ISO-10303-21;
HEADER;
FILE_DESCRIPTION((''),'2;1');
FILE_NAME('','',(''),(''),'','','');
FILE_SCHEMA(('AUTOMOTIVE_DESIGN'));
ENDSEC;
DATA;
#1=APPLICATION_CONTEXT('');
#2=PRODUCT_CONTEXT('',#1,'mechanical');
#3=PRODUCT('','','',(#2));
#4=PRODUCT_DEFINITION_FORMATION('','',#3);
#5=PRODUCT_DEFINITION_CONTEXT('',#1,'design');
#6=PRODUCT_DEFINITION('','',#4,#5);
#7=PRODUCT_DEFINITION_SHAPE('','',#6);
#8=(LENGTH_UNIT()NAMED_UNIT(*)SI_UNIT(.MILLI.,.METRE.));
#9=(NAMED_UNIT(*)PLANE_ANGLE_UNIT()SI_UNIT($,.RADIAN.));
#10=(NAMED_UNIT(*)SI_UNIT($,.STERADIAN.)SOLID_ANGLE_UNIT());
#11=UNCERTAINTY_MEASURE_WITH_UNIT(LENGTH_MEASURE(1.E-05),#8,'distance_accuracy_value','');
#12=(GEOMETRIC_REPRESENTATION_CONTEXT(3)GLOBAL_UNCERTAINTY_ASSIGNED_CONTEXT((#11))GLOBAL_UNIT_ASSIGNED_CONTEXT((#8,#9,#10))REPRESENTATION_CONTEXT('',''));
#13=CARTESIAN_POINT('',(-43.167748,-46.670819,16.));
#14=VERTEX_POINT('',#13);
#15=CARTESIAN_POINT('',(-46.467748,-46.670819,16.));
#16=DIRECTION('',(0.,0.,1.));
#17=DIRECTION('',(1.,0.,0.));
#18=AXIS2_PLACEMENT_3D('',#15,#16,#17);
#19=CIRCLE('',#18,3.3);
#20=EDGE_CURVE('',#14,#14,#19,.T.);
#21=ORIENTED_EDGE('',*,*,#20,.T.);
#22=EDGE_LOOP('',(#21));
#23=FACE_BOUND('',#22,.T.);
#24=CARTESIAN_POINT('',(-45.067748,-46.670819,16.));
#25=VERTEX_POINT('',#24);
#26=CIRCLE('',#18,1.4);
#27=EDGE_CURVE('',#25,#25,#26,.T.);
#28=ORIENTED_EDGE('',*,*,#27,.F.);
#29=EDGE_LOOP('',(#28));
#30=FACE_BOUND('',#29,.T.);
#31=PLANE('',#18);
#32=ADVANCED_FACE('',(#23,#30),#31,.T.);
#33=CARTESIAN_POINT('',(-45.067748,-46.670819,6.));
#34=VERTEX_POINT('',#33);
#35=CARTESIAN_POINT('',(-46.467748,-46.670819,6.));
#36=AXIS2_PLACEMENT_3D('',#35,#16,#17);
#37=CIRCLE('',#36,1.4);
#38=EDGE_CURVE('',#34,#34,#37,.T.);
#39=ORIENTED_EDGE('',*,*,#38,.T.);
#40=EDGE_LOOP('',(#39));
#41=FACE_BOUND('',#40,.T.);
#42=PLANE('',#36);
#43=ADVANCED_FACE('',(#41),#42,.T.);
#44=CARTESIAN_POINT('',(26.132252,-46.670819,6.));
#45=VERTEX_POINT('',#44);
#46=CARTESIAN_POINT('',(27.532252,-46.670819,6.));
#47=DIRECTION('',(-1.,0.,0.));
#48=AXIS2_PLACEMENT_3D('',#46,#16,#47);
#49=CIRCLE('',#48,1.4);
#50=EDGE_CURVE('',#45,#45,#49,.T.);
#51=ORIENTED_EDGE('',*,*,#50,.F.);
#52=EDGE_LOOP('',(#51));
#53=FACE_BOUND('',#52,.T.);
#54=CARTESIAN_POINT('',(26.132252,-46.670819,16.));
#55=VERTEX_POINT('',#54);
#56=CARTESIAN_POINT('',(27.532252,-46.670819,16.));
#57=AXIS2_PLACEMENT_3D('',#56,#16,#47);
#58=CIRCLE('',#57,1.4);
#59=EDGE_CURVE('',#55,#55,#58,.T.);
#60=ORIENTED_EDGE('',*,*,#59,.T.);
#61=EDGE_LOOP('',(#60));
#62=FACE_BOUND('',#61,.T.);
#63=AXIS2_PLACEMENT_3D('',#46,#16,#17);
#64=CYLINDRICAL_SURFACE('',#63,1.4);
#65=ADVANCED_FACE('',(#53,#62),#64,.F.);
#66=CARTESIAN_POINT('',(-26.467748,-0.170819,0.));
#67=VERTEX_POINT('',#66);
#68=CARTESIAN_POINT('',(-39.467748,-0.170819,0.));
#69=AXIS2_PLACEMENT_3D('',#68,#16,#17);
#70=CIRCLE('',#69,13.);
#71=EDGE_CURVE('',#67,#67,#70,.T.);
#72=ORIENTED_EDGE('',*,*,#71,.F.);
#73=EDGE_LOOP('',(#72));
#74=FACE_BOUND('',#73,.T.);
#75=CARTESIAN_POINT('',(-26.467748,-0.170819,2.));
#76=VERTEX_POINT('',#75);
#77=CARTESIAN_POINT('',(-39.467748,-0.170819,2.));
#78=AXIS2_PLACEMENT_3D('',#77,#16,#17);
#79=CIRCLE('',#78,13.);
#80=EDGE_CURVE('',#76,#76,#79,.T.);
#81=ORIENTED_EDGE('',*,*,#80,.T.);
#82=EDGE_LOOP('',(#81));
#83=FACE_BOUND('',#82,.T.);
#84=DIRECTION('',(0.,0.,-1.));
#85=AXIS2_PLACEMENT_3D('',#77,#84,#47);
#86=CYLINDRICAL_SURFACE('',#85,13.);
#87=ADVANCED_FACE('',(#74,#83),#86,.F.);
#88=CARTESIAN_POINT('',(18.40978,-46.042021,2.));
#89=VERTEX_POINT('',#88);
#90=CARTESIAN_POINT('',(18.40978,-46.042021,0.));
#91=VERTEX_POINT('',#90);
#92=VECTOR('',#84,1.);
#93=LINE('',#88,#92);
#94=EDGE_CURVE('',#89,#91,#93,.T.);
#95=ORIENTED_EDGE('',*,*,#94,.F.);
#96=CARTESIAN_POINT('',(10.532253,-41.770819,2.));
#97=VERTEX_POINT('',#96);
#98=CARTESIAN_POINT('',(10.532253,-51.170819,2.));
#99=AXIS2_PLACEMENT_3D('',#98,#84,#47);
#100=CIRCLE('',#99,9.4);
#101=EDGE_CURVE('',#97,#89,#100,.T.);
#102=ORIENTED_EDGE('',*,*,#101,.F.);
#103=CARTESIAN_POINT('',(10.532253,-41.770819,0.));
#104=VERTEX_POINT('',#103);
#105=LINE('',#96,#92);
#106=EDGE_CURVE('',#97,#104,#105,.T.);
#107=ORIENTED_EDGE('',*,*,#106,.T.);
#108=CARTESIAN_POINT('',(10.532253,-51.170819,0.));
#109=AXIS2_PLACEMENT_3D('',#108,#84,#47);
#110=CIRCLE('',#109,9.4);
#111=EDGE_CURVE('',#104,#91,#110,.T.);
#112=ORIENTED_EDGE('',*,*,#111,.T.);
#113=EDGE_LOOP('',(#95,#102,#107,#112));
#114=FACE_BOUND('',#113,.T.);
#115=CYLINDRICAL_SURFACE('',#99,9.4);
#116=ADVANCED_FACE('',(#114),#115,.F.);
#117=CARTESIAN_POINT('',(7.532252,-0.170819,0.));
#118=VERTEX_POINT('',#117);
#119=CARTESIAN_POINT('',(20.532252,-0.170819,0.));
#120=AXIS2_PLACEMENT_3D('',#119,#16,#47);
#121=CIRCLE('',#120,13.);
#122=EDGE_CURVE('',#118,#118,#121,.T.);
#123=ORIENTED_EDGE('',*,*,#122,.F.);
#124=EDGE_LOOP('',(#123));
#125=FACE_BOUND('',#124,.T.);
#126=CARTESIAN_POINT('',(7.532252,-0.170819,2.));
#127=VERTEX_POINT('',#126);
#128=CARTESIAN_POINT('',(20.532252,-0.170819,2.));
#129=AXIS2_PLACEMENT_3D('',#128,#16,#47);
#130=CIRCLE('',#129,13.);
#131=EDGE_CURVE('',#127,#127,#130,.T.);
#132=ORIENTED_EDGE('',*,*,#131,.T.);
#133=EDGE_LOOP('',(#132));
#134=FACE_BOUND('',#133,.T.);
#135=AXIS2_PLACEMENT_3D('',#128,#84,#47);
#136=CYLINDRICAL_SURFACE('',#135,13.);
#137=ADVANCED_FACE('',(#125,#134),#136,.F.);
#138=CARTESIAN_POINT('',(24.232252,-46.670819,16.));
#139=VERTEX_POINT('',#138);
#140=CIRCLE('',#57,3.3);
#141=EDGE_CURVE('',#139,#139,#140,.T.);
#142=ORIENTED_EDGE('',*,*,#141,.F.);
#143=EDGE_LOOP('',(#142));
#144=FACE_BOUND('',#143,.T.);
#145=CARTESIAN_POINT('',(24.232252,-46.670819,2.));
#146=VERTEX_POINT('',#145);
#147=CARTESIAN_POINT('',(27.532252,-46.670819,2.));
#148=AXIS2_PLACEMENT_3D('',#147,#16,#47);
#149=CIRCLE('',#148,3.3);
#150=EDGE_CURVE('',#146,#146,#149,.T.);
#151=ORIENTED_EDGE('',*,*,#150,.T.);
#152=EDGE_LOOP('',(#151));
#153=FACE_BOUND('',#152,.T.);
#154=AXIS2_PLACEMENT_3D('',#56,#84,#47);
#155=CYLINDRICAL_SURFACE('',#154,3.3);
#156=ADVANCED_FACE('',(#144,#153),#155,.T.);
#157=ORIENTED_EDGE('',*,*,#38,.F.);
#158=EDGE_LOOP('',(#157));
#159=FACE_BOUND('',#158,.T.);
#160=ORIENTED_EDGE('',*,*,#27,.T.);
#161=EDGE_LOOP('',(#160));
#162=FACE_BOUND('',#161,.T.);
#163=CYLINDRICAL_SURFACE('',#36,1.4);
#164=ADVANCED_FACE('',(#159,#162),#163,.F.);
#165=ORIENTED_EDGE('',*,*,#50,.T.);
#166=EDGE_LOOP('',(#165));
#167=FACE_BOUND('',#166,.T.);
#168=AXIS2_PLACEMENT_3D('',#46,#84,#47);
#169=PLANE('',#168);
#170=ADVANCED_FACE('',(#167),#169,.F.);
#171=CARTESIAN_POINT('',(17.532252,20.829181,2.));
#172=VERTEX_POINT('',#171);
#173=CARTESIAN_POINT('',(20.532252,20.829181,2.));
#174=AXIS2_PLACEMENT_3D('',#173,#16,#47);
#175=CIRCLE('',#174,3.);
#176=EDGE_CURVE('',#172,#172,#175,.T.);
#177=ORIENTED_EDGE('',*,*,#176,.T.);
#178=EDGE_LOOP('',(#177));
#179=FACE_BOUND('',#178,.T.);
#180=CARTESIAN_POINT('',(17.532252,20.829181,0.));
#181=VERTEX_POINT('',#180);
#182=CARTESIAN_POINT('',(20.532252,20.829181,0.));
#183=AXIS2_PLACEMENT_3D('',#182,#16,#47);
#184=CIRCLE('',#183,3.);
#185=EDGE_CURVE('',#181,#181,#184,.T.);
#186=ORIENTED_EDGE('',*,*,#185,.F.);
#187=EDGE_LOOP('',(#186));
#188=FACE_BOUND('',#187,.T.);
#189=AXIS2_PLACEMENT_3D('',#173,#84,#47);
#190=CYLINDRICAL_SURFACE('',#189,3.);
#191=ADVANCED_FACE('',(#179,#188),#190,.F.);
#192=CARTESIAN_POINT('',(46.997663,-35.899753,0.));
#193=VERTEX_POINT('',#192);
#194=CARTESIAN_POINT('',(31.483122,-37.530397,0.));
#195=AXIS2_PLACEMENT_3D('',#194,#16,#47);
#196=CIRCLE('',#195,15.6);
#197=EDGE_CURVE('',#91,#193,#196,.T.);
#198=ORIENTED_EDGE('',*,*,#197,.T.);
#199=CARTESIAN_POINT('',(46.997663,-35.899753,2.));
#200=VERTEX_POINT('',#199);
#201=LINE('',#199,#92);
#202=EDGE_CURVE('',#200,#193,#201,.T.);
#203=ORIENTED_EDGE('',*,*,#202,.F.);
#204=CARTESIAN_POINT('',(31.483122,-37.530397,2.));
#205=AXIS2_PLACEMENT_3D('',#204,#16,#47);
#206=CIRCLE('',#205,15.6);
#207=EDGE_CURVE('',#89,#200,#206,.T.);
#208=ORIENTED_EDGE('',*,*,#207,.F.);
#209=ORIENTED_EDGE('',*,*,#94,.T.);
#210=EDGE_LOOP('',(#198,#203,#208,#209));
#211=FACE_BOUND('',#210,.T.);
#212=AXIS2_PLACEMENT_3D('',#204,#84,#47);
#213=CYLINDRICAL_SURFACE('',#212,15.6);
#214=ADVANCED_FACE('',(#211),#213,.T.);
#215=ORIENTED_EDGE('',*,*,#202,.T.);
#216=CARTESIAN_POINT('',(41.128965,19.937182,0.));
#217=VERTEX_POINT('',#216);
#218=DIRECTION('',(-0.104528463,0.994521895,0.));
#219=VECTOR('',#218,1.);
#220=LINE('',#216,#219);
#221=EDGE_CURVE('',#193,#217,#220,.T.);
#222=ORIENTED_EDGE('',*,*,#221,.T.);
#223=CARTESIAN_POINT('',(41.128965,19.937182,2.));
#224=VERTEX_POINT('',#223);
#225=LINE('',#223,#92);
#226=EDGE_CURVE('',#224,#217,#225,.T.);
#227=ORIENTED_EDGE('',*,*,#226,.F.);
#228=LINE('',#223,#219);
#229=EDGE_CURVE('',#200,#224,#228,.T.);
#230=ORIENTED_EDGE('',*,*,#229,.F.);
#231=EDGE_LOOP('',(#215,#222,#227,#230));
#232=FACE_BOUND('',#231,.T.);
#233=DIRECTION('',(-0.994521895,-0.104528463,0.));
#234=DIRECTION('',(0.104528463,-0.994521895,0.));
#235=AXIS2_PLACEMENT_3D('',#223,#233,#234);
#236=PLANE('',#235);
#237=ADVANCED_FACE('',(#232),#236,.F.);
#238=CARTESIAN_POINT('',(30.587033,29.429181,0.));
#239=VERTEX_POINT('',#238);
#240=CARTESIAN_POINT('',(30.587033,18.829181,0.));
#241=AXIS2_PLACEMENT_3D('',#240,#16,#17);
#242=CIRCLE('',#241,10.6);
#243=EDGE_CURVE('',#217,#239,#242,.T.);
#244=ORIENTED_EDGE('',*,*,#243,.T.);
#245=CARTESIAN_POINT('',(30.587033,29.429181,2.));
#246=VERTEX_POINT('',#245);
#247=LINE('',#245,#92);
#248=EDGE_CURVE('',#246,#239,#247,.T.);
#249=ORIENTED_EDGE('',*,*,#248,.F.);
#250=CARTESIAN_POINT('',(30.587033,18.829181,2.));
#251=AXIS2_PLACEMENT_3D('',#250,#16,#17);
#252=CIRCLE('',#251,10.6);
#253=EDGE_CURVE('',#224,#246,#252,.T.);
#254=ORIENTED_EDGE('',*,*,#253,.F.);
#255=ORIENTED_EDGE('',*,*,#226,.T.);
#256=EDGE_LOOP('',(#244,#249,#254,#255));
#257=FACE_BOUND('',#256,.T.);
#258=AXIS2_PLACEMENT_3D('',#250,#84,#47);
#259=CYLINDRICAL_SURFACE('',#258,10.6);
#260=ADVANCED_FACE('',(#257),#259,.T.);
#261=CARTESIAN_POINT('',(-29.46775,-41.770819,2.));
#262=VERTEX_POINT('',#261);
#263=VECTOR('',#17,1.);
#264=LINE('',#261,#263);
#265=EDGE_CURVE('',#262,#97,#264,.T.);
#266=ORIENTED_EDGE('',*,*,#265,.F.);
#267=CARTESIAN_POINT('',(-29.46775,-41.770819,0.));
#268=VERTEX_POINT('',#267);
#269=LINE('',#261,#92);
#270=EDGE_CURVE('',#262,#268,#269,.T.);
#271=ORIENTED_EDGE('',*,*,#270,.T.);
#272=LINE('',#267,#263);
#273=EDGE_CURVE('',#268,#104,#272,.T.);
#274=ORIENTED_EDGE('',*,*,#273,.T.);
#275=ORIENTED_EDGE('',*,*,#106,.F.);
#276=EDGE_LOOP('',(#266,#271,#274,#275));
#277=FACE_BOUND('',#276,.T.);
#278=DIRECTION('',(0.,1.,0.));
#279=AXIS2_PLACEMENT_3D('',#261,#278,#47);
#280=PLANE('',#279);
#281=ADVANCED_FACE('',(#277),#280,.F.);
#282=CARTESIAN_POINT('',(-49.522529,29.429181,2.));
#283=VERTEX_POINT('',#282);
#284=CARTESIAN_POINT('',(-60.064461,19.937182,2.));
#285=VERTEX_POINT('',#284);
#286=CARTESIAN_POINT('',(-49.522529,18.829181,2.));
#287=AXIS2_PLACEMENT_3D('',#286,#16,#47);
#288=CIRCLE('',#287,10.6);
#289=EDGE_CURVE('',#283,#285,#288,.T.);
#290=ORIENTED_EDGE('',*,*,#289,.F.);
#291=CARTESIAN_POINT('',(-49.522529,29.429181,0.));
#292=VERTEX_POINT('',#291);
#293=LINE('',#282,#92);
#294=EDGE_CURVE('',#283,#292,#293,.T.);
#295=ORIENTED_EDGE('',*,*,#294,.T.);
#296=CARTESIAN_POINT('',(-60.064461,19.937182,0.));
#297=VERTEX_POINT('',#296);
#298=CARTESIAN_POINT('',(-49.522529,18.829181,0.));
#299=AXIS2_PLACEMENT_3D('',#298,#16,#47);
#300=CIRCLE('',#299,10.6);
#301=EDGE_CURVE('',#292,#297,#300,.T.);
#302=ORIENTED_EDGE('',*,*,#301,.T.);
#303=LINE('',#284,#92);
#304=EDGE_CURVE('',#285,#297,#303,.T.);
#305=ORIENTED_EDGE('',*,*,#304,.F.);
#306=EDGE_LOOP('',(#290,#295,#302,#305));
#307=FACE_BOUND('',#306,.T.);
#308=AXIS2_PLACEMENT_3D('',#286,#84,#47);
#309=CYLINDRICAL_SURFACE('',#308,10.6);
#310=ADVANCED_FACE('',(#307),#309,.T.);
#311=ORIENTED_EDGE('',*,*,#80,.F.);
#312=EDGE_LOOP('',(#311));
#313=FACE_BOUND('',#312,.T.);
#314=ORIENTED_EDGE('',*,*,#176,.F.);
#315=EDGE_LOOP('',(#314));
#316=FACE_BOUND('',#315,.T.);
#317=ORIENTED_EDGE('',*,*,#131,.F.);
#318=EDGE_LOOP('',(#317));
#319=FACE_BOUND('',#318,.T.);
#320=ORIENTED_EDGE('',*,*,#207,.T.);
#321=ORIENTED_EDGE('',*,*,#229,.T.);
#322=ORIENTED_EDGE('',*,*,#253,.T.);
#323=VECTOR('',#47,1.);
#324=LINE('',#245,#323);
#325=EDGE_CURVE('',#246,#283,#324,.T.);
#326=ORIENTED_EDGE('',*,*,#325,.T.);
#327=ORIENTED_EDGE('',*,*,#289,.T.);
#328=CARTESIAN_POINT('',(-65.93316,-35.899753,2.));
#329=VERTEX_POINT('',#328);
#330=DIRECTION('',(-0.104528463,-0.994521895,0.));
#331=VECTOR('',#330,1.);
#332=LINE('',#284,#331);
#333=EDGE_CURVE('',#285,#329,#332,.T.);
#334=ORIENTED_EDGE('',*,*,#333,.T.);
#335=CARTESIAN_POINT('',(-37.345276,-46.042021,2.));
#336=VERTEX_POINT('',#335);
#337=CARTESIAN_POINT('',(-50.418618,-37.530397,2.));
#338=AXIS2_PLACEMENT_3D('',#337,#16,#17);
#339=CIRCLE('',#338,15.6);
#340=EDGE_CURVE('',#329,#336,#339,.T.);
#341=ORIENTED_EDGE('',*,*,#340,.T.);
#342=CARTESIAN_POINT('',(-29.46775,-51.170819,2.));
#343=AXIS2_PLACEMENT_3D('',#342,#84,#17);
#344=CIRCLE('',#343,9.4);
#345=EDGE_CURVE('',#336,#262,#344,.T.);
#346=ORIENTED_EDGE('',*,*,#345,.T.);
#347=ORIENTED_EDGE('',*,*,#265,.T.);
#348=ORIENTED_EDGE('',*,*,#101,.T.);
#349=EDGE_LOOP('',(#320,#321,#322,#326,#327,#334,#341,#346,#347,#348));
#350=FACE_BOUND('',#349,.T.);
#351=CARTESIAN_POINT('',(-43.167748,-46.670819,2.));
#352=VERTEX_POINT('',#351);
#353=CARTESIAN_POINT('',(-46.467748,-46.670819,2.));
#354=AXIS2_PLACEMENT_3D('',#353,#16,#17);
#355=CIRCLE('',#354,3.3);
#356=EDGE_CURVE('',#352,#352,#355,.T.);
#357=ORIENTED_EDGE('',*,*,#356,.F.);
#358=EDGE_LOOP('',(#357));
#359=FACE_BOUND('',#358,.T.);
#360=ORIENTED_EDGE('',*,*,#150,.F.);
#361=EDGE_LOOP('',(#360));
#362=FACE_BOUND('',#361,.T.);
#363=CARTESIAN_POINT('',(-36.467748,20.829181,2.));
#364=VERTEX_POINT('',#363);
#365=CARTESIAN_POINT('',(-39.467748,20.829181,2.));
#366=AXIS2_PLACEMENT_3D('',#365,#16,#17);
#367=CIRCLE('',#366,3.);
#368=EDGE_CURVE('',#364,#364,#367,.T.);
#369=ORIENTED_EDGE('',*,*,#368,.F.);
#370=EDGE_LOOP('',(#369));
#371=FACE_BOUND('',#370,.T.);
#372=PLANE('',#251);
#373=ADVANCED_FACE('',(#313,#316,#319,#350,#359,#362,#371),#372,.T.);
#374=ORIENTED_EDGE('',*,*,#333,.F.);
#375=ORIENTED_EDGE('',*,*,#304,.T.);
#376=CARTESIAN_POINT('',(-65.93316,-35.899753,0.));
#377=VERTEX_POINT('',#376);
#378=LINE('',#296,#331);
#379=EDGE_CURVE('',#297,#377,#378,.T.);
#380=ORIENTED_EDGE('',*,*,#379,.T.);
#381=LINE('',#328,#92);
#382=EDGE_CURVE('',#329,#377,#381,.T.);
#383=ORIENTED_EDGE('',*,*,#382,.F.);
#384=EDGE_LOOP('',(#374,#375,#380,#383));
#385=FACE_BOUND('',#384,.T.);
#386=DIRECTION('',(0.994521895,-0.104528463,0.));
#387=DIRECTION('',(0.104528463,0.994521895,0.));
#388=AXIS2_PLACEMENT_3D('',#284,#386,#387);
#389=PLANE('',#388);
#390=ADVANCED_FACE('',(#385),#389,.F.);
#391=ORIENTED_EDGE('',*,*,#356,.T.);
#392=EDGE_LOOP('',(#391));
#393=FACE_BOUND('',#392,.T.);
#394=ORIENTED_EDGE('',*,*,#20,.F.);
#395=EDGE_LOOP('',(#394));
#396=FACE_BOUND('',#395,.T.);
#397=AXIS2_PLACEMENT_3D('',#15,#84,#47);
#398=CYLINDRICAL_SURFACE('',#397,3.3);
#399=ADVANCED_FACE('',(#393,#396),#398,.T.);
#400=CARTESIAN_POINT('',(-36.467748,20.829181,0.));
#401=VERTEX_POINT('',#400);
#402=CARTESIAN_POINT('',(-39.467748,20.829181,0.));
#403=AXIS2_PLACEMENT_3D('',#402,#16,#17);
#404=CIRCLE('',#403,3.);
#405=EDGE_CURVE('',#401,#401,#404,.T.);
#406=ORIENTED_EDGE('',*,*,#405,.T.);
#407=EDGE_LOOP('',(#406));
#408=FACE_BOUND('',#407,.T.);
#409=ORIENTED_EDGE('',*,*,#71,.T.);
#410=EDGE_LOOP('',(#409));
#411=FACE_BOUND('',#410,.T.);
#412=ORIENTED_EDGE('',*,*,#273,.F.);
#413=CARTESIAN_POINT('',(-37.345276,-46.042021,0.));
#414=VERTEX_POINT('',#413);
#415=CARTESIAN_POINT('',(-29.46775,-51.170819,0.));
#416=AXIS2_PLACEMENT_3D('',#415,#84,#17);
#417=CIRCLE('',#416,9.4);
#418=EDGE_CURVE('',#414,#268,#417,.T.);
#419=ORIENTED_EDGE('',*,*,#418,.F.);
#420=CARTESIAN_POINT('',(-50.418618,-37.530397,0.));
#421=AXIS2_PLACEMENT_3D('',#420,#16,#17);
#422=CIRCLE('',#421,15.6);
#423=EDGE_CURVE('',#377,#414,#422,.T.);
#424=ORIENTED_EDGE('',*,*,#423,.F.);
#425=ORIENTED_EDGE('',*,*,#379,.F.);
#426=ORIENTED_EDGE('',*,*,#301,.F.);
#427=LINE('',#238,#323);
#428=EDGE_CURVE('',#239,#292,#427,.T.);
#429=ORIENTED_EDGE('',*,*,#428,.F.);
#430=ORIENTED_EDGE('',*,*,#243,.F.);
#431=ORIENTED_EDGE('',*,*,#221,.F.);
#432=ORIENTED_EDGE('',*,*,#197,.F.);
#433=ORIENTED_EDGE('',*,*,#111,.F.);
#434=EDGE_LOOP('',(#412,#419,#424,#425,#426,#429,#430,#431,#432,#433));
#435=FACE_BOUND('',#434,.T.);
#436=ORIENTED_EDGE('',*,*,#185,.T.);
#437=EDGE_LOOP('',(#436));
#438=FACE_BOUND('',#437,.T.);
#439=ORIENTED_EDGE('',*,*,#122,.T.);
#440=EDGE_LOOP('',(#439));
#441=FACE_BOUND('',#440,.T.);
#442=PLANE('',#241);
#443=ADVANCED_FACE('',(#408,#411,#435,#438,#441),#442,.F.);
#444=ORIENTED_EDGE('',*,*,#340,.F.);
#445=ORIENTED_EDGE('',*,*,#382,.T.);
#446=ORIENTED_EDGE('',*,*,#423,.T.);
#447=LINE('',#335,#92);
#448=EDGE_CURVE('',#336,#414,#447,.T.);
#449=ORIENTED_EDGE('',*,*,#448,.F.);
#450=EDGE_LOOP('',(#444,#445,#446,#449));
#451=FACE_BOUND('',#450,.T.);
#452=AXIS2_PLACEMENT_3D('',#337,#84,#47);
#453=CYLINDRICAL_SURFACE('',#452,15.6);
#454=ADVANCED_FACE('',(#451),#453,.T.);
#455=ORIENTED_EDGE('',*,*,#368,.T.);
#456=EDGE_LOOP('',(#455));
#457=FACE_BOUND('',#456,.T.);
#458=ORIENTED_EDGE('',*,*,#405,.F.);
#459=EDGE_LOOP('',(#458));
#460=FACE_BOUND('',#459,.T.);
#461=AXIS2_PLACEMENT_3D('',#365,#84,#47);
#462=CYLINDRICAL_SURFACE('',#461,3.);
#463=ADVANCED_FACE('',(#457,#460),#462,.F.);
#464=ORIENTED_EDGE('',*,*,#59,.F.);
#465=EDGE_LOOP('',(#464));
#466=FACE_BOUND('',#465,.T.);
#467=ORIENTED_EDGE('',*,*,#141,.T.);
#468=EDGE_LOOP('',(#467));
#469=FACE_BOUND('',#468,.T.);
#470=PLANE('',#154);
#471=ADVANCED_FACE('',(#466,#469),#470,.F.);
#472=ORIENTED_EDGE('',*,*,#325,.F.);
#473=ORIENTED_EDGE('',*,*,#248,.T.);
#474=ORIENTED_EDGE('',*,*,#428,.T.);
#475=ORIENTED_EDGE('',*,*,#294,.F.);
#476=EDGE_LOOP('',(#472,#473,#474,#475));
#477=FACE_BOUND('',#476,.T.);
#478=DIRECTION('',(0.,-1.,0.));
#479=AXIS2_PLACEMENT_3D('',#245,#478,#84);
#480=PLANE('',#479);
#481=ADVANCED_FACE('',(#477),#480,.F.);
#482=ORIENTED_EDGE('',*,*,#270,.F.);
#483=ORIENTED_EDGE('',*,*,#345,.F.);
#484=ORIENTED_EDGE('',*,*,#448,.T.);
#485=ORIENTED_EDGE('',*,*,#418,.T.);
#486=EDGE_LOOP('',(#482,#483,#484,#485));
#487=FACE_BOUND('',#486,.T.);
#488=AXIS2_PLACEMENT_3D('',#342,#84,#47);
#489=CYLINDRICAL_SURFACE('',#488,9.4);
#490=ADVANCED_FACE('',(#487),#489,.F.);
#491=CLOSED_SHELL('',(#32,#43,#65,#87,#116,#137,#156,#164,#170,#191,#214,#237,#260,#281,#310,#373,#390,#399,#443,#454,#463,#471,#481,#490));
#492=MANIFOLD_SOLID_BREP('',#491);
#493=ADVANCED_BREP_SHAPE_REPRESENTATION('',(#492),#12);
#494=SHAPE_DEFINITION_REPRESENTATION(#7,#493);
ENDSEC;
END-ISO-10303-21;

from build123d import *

# Parameters (mm, degrees)
SKETCH1_R           = 13
SKETCH1_R_2         = 3
BOSS_EXTRUDE1_DEPTH = 2
SKETCH2_R           = 3.3
BOSS_EXTRUDE2_DEPTH = 14
SKETCH3_R           = 1.4
CUT_EXTRUDE1_DEPTH  = 10


with BuildPart() as part:
    # Sketch1 → Boss-Extrude1 (new body)
    with BuildSketch(Plane.XY):
        with BuildLine():
            Line((30.587032828, 29.429180606), (-49.522529265, 29.429180606))
            ThreePointArc((-49.522529265, 29.429180606), (-56.615313692, 26.706515756), (-60.064461355, 19.937182317))
            Line((-60.064461355, 19.937182317), (-65.933159759, -35.899753171))
            ThreePointArc((-65.933159759, -35.899753171), (-55.634580371, -52.232565016), (-37.345276376, -46.042020648))
            ThreePointArc((-37.345276376, -46.042020648), (-33.948223744, -42.907324122), (-29.467749897, -41.770819394))
            Line((-29.467749897, -41.770819394), (10.53225346, -41.770819394))
            ThreePointArc((10.53225346, -41.770819394), (15.012727307, -42.907324122), (18.409779939, -46.042020648))
            ThreePointArc((18.409779939, -46.042020648), (36.699083934, -52.232565016), (46.997663323, -35.899753171))
            Line((46.997663323, -35.899753171), (41.128964919, 19.937182317))
            ThreePointArc((41.128964919, 19.937182317), (37.679817255, 26.706515756), (30.587032828, 29.429180606))
        make_face()
        with Locations((-39.467748218, -0.170819394)):
            Circle(SKETCH1_R, mode=Mode.SUBTRACT)
        with Locations(Location((20.532251782, -0.170819394, 0), (0, 0, 180))):
            Circle(SKETCH1_R, mode=Mode.SUBTRACT)
        with Locations((-39.467748218, 20.829180606)):
            Circle(SKETCH1_R_2, mode=Mode.SUBTRACT)
        with Locations(Location((20.532251782, 20.829180606, 0), (0, 0, 180))):
            Circle(SKETCH1_R_2, mode=Mode.SUBTRACT)
    extrude(amount=BOSS_EXTRUDE1_DEPTH)

    # Sketch2 → Boss-Extrude2 (add)
    with BuildSketch(Plane.XY.offset(2)):
        with Locations((-46.467748218, -46.670819394)):
            Circle(SKETCH2_R)
        with Locations(Location((27.532251782, -46.670819394, 0), (0, 0, 180))):
            Circle(SKETCH2_R)
    extrude(amount=BOSS_EXTRUDE2_DEPTH)

    # Sketch3 → Cut-Extrude1 (cut)
    with BuildSketch(Plane.XY.offset(16)):
        with Locations((-46.467748218, -46.670819394)):
            Circle(SKETCH3_R)
        with Locations(Location((27.532251782, -46.670819394, 0), (0, 0, 180))):
            Circle(SKETCH3_R)
    extrude(amount=-CUT_EXTRUDE1_DEPTH, mode=Mode.SUBTRACT)


solid = part.part
